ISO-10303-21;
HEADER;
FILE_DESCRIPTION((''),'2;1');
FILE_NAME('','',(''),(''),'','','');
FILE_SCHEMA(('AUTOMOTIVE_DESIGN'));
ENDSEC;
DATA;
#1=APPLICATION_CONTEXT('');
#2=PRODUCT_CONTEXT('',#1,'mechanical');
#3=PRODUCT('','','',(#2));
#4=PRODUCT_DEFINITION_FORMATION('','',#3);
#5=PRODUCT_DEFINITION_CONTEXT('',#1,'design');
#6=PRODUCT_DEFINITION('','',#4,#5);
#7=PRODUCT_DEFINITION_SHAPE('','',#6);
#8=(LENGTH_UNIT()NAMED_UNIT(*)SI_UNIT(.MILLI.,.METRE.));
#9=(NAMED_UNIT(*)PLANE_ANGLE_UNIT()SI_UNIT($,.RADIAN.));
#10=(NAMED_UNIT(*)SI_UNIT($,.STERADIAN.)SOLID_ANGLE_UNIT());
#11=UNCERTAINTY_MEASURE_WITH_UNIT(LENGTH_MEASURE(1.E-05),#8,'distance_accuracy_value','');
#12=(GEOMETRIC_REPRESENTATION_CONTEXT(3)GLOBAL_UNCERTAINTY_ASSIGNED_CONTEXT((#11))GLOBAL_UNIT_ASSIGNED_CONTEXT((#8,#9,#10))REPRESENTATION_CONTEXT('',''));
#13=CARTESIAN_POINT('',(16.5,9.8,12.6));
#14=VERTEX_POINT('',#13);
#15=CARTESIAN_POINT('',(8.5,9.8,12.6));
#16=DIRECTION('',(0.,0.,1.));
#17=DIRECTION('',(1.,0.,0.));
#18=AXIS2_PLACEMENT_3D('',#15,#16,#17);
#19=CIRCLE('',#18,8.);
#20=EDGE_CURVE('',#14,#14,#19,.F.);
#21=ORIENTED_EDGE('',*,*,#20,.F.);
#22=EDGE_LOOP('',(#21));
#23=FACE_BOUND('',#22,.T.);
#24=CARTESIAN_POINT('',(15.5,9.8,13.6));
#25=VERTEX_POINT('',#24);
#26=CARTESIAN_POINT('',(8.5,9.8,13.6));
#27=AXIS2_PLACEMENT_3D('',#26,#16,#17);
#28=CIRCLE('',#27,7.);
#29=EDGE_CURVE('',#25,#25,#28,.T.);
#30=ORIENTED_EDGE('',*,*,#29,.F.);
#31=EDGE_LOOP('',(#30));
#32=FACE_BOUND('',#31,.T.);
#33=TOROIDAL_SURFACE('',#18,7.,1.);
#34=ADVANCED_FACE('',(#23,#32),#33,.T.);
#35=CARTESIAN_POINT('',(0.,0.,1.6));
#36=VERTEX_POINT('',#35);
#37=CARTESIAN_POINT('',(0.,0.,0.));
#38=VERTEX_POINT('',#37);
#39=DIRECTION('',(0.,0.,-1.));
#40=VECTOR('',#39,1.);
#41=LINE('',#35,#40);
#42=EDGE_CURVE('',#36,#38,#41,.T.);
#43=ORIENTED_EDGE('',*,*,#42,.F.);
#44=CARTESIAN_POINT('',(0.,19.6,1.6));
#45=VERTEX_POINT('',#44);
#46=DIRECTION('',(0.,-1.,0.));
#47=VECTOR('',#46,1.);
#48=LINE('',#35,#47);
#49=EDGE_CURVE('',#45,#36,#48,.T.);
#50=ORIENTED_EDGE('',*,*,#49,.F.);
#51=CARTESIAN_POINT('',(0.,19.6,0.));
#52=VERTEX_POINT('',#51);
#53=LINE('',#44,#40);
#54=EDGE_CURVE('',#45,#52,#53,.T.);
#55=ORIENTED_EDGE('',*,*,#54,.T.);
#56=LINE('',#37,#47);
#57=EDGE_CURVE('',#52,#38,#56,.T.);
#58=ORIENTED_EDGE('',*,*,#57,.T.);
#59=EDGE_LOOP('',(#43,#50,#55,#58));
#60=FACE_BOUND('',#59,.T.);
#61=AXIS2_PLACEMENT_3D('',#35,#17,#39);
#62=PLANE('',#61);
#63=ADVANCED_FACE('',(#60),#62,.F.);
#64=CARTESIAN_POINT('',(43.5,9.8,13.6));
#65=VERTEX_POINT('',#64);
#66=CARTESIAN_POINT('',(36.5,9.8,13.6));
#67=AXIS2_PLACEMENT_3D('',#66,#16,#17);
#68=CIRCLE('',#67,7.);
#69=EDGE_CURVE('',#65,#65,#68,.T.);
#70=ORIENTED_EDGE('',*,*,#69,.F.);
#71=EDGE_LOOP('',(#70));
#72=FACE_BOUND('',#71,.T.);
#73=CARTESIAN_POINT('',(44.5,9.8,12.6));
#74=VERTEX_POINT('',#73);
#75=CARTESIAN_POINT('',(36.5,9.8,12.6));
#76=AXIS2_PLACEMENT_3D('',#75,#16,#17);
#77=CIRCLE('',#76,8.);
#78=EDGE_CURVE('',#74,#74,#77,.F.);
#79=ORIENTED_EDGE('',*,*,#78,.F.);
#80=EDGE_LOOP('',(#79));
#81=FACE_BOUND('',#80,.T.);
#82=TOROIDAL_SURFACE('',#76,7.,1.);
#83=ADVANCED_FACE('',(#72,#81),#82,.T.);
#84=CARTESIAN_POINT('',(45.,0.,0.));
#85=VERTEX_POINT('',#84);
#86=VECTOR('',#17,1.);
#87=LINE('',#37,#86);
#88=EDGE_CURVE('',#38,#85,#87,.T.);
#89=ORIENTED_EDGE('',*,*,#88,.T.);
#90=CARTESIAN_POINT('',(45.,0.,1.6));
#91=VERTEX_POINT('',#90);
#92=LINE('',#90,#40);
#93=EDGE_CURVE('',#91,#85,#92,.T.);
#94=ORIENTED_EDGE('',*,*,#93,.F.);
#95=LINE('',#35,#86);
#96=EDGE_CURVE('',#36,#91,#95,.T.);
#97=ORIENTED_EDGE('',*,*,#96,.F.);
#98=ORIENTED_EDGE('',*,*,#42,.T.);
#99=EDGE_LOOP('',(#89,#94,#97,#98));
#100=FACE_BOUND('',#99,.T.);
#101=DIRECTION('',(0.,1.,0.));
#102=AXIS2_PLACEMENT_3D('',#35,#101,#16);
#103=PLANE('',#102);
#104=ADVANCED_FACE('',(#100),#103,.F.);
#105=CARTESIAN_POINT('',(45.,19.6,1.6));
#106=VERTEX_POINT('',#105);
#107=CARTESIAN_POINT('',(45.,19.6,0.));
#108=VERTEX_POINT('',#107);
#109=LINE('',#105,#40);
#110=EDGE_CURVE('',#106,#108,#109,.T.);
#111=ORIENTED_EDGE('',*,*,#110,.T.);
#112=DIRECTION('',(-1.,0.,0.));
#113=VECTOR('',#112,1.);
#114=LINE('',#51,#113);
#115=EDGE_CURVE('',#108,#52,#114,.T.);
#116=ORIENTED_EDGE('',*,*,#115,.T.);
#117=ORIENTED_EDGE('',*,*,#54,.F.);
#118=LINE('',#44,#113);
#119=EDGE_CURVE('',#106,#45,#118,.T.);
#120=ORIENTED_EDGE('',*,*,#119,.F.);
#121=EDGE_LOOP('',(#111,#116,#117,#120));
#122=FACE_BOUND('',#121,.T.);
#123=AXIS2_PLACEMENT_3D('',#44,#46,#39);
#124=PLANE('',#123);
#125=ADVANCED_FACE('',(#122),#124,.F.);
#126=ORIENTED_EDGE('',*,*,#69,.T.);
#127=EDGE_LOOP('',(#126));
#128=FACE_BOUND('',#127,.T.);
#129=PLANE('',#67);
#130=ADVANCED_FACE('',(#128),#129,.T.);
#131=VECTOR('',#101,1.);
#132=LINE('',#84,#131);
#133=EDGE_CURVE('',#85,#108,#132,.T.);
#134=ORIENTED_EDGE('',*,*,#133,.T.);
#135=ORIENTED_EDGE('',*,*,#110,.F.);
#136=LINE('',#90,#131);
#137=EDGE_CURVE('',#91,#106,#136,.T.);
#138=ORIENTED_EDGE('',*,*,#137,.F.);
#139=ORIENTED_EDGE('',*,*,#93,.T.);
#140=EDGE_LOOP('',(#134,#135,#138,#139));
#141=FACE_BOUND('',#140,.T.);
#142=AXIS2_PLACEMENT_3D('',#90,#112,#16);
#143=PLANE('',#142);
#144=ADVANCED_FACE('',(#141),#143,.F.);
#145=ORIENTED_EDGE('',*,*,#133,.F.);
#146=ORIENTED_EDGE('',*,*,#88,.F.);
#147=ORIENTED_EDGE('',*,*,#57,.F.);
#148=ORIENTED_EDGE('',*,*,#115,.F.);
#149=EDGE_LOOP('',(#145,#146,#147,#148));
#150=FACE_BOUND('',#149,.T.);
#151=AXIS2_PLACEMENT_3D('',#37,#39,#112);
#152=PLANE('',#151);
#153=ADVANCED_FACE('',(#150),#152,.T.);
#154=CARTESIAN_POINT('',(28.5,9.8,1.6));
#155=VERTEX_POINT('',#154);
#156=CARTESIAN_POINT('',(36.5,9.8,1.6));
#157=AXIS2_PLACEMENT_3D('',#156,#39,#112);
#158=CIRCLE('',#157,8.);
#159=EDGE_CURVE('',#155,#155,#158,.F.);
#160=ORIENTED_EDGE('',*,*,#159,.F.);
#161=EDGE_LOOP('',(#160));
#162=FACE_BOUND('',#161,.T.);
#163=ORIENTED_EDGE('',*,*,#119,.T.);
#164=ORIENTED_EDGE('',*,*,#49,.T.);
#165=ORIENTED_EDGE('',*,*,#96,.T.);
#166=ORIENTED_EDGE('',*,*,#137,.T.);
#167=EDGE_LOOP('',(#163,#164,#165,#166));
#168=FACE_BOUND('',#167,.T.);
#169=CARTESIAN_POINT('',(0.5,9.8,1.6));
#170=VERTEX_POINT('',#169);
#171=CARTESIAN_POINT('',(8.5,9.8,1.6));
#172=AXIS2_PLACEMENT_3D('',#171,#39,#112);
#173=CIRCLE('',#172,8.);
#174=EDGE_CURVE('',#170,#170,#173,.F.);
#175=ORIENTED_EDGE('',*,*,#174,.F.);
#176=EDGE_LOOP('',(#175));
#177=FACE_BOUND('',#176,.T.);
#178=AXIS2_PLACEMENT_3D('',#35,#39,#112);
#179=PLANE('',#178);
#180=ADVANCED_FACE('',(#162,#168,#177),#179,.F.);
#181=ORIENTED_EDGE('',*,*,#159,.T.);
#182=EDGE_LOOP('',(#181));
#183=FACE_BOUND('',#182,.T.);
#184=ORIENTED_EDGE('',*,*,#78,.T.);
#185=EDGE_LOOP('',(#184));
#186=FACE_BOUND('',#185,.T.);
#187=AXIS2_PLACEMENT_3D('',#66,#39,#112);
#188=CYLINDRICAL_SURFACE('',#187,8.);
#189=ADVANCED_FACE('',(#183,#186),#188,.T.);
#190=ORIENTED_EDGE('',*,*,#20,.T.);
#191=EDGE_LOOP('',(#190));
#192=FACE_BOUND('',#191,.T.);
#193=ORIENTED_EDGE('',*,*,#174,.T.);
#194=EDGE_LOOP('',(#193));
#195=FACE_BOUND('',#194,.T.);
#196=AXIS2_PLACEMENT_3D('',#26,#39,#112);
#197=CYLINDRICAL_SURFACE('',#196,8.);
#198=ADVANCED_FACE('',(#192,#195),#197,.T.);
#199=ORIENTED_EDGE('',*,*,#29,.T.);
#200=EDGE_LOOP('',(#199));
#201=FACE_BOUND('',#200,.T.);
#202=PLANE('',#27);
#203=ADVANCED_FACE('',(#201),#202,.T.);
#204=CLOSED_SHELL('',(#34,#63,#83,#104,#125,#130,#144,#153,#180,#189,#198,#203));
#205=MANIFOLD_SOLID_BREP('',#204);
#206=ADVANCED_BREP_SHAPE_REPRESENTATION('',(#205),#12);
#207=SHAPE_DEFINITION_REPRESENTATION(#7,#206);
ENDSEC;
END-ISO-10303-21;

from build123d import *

# Parameters (mm, degrees)
SKETCH_1_W      = 45
SKETCH_1_H      = 19.6
EXTRUDE_1_DEPTH = 1.6
SKETCH_2_R      = 8
EXTRUDE_2_DEPTH = 12
FILLET_1_R      = 1


with BuildPart() as part:
    # 草图1 → 凸台-拉伸1 (new body)
    with BuildSketch(Plane.XY):
        with Locations((22.5, 9.8)):
            Rectangle(SKETCH_1_W, SKETCH_1_H)
    extrude(amount=EXTRUDE_1_DEPTH)

    # 草图2 → 凸台-拉伸2 (add)
    with BuildSketch(Plane.XY.offset(1.6)):
        with Locations(Location((8.5, 9.8, 0), (0, 0, 180))):
            Circle(SKETCH_2_R)
        with Locations(Location((36.5, 9.8, 0), (0, 0, 180))):
            Circle(SKETCH_2_R)
    extrude(amount=EXTRUDE_2_DEPTH)

    # 圆角1
    fillet_1_edges = [part.edges().sort_by_distance(p)[0] for p in [
        (16.5, 9.8, 13.6),
        (44.5, 9.8, 13.6),
    ]]
    fillet(fillet_1_edges, radius=FILLET_1_R)


solid = part.part
